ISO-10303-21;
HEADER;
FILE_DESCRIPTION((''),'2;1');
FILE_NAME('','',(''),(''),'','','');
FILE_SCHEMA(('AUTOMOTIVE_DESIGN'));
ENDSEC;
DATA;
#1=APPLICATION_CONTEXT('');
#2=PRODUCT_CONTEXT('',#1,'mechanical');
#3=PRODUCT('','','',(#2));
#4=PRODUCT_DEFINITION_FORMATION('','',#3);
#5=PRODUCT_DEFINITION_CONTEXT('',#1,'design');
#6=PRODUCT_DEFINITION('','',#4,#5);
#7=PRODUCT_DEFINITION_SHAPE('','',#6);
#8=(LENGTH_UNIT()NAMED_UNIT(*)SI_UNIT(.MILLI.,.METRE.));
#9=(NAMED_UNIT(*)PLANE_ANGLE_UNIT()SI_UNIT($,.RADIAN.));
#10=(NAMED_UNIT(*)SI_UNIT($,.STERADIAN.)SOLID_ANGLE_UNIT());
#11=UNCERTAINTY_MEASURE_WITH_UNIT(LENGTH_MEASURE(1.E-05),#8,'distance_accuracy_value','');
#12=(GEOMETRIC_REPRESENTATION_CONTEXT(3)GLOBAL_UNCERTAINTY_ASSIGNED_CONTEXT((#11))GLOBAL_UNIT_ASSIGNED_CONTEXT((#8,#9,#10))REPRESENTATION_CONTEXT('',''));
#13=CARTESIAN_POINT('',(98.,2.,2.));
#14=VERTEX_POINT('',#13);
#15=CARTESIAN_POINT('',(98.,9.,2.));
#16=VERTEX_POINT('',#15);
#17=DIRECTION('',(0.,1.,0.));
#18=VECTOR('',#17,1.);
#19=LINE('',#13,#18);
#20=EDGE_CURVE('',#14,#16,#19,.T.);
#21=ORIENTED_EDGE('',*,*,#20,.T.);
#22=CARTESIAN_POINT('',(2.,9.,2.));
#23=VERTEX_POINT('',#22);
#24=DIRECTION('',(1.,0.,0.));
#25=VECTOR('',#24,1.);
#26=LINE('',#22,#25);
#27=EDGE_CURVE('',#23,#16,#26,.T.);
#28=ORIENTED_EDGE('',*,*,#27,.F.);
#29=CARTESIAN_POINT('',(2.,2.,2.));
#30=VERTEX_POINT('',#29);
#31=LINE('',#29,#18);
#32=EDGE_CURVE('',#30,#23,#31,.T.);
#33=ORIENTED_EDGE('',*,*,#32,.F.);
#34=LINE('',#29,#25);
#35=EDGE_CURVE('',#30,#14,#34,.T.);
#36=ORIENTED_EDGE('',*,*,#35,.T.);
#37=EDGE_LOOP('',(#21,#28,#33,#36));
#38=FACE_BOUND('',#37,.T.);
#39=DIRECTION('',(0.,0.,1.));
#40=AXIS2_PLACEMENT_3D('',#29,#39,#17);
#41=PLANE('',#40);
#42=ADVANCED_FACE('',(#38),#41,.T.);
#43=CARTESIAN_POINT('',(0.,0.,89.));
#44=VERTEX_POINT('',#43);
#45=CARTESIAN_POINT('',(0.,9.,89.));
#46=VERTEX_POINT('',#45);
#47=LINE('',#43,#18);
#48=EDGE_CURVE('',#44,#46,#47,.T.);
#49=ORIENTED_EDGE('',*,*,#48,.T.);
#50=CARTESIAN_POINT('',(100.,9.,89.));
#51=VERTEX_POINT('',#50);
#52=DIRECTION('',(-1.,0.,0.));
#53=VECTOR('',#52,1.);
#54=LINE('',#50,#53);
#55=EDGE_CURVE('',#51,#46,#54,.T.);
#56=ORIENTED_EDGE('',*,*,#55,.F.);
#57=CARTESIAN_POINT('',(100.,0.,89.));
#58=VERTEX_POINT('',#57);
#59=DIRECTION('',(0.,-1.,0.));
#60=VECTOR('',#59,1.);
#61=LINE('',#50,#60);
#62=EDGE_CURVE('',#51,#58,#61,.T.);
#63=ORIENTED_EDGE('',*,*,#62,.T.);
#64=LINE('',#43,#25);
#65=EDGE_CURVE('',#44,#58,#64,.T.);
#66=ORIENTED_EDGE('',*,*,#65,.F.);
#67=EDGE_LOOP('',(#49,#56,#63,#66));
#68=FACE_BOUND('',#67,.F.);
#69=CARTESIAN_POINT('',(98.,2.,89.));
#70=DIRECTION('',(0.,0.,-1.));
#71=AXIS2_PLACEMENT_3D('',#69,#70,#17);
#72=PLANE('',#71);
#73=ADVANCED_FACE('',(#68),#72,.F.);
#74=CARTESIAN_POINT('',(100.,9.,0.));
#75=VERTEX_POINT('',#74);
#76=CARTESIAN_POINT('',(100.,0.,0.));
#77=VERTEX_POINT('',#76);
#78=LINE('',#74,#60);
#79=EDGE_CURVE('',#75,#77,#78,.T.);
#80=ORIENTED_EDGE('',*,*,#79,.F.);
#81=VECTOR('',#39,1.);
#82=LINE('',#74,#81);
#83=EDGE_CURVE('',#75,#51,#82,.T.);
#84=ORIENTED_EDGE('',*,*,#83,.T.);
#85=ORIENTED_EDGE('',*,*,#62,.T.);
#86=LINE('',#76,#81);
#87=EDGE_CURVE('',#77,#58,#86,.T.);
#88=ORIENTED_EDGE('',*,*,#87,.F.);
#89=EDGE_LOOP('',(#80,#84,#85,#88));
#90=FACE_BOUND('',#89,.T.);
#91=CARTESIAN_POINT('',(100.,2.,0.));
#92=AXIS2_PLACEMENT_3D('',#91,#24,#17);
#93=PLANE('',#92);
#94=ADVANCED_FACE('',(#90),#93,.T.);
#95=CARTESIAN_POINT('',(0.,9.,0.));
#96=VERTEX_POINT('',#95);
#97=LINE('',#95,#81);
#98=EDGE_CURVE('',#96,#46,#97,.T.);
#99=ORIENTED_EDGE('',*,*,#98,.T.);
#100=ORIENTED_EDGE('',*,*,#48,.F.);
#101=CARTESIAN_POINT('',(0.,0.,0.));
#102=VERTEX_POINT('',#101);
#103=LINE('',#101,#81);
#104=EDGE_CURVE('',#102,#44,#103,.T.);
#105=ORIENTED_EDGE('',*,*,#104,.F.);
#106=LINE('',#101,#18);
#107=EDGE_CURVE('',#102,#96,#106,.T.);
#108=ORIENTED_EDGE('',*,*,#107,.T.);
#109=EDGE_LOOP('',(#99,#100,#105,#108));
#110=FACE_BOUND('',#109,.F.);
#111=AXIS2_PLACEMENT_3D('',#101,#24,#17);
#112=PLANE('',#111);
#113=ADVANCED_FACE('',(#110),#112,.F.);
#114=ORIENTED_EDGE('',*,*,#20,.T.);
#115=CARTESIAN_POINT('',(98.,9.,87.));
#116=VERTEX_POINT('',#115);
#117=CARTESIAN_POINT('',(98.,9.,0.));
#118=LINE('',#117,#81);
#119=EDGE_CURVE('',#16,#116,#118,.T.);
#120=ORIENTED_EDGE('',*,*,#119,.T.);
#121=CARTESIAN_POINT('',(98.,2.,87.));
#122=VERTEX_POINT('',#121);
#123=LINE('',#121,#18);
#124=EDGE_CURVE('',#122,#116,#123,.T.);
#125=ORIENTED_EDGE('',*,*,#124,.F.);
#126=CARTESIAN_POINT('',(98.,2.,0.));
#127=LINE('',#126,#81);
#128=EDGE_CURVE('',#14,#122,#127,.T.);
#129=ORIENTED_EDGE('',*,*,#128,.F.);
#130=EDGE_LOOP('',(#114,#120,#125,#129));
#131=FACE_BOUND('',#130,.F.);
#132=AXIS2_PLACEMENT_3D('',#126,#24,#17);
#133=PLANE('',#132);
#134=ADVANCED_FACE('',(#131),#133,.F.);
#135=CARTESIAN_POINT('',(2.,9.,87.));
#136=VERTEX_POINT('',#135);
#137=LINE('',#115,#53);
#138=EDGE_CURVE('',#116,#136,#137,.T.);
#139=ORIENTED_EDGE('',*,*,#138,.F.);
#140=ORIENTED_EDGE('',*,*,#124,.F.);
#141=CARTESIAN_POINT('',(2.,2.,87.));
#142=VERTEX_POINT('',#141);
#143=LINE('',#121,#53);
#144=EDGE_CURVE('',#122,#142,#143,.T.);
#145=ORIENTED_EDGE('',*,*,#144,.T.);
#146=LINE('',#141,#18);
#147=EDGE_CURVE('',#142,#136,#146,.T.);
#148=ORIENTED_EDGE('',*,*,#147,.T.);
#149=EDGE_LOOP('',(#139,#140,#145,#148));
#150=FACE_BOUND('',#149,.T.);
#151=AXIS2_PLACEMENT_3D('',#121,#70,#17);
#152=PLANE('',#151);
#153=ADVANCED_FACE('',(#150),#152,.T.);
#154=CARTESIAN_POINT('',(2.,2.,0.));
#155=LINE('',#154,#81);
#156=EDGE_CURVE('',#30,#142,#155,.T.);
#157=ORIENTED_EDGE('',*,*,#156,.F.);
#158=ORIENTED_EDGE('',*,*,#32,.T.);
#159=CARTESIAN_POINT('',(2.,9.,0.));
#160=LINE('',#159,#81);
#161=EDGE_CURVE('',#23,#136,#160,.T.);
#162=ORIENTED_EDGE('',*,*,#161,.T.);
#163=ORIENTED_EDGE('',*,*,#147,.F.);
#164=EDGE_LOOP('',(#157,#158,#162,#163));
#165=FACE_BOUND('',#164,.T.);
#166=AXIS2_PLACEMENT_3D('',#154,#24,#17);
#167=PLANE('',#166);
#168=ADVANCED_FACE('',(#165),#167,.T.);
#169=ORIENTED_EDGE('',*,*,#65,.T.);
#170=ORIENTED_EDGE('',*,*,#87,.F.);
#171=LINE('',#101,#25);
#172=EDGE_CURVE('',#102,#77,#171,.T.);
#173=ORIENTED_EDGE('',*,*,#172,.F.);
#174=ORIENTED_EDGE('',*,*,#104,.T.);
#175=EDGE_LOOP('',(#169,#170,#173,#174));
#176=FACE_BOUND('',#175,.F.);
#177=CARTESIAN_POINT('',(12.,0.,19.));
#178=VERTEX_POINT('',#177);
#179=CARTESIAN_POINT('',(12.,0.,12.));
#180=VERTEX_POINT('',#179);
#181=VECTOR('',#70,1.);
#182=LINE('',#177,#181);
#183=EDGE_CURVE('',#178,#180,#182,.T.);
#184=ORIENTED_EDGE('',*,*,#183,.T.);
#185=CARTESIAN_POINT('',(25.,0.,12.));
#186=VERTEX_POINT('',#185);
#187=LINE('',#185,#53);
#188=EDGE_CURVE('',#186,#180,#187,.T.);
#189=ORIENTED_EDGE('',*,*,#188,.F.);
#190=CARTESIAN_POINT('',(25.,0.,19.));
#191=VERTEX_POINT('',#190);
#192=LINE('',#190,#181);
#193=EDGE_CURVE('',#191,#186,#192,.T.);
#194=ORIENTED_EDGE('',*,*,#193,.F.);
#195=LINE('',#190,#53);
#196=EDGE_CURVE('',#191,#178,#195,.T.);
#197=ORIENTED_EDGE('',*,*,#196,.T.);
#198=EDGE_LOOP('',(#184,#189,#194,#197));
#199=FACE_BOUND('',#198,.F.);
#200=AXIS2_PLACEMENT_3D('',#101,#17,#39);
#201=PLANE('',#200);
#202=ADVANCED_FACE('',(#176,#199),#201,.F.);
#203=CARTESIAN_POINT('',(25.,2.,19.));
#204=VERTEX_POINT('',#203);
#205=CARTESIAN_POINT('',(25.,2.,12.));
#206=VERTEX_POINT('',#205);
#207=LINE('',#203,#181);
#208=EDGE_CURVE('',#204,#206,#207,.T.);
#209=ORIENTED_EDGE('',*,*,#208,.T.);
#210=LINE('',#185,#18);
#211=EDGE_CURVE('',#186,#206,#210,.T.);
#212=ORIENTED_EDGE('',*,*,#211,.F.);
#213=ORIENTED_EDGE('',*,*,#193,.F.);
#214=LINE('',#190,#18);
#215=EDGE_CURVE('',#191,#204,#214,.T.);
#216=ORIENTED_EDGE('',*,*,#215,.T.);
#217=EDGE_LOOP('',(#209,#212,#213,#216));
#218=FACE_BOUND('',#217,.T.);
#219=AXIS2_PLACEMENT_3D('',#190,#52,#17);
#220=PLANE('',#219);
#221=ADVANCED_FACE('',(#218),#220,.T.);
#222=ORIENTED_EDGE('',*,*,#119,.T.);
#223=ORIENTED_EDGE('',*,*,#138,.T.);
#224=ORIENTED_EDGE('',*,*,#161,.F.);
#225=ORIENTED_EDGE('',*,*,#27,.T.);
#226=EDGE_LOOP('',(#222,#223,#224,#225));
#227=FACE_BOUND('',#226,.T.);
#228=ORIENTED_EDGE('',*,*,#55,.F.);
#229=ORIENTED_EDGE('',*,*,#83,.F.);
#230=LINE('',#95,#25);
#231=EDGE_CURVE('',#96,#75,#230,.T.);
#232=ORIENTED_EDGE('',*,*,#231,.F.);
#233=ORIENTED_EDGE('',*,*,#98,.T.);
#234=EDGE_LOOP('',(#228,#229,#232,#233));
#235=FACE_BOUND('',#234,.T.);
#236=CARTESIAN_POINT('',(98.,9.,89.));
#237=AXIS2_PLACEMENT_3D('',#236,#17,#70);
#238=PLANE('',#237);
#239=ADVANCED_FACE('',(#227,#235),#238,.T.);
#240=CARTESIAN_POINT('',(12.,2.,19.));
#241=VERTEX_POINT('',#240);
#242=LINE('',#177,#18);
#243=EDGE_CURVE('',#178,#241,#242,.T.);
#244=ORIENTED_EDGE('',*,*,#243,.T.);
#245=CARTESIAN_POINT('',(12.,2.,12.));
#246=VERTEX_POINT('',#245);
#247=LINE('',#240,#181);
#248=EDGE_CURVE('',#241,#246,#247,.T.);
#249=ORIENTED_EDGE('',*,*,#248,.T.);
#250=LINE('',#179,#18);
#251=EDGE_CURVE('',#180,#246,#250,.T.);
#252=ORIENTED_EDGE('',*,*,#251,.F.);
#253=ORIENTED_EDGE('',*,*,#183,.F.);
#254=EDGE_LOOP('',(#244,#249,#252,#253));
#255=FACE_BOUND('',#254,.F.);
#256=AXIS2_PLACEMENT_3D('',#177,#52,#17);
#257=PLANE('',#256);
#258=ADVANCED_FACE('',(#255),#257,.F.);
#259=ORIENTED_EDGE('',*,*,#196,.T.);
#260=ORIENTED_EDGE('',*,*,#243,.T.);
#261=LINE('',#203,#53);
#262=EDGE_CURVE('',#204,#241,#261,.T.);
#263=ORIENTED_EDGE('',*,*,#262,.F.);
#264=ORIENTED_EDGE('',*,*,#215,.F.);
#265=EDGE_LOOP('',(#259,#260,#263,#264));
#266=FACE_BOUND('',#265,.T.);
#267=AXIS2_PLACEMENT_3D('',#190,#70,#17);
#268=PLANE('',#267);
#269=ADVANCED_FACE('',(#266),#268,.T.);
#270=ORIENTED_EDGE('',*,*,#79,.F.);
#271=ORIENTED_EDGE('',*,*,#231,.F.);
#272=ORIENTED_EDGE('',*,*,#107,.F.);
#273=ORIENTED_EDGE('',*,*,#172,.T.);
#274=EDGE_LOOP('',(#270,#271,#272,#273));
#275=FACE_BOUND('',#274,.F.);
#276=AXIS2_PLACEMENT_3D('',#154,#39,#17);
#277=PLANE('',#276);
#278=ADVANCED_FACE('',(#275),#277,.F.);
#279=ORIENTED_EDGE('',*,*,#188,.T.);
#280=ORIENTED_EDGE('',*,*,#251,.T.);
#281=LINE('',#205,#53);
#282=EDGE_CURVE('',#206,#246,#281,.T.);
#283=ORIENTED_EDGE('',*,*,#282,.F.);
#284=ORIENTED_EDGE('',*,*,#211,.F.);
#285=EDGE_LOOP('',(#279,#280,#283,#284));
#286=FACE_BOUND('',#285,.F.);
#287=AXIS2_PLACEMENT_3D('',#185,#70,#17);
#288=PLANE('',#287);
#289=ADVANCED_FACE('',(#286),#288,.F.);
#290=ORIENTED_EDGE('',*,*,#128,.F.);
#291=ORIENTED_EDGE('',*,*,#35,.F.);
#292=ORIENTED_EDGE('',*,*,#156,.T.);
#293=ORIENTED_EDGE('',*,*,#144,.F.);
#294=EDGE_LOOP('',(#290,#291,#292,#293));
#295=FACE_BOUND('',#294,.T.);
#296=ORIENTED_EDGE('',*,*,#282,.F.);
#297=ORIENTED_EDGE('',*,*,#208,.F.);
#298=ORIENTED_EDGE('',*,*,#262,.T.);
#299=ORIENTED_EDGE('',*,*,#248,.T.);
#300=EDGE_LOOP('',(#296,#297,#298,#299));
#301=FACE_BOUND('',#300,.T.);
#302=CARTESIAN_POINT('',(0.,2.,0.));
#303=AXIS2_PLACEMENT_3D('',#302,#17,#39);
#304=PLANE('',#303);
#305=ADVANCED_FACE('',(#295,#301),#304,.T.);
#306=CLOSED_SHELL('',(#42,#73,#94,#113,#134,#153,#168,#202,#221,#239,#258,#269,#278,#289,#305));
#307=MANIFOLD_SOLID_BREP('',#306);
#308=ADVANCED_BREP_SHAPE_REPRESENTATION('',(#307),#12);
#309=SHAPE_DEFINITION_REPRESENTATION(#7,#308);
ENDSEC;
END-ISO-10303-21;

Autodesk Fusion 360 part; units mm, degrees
box "BoxPrimitive1" add length 89 width 100 height 2 placed x (0, 0, 1) y (1, 0, 0) z (0, 1, 0) at (0, 0, 0)
box "BoxPrimitive2" add length 89 width 2 height 7 placed x (0, 0, 1) y (1, 0, 0) z (0, 1, 0) at (0, 2, 0)
box "BoxPrimitive3" add length 89 width 2 height 7 placed x (0, 0, 1) y (1, 0, 0) z (0, 1, 0) at (98, 2, 0)
box "BoxPrimitive4" add length 2 width 96 height 7 placed x (0, 0, 1) y (1, 0, 0) z (0, 1, 0) at (2, 2, 0)
box "BoxPrimitive5" add length 2 width 96 height 7 placed x (0, 0, -1) y (-1, 0, 0) z (0, 1, 0) at (98, 2, 89)
box "BoxPrimitive6" cut length 7 width 13 height -2 placed x (0, 0, -1) y (-1, 0, 0) z (0, 1, 0) at (25, 2, 19)
